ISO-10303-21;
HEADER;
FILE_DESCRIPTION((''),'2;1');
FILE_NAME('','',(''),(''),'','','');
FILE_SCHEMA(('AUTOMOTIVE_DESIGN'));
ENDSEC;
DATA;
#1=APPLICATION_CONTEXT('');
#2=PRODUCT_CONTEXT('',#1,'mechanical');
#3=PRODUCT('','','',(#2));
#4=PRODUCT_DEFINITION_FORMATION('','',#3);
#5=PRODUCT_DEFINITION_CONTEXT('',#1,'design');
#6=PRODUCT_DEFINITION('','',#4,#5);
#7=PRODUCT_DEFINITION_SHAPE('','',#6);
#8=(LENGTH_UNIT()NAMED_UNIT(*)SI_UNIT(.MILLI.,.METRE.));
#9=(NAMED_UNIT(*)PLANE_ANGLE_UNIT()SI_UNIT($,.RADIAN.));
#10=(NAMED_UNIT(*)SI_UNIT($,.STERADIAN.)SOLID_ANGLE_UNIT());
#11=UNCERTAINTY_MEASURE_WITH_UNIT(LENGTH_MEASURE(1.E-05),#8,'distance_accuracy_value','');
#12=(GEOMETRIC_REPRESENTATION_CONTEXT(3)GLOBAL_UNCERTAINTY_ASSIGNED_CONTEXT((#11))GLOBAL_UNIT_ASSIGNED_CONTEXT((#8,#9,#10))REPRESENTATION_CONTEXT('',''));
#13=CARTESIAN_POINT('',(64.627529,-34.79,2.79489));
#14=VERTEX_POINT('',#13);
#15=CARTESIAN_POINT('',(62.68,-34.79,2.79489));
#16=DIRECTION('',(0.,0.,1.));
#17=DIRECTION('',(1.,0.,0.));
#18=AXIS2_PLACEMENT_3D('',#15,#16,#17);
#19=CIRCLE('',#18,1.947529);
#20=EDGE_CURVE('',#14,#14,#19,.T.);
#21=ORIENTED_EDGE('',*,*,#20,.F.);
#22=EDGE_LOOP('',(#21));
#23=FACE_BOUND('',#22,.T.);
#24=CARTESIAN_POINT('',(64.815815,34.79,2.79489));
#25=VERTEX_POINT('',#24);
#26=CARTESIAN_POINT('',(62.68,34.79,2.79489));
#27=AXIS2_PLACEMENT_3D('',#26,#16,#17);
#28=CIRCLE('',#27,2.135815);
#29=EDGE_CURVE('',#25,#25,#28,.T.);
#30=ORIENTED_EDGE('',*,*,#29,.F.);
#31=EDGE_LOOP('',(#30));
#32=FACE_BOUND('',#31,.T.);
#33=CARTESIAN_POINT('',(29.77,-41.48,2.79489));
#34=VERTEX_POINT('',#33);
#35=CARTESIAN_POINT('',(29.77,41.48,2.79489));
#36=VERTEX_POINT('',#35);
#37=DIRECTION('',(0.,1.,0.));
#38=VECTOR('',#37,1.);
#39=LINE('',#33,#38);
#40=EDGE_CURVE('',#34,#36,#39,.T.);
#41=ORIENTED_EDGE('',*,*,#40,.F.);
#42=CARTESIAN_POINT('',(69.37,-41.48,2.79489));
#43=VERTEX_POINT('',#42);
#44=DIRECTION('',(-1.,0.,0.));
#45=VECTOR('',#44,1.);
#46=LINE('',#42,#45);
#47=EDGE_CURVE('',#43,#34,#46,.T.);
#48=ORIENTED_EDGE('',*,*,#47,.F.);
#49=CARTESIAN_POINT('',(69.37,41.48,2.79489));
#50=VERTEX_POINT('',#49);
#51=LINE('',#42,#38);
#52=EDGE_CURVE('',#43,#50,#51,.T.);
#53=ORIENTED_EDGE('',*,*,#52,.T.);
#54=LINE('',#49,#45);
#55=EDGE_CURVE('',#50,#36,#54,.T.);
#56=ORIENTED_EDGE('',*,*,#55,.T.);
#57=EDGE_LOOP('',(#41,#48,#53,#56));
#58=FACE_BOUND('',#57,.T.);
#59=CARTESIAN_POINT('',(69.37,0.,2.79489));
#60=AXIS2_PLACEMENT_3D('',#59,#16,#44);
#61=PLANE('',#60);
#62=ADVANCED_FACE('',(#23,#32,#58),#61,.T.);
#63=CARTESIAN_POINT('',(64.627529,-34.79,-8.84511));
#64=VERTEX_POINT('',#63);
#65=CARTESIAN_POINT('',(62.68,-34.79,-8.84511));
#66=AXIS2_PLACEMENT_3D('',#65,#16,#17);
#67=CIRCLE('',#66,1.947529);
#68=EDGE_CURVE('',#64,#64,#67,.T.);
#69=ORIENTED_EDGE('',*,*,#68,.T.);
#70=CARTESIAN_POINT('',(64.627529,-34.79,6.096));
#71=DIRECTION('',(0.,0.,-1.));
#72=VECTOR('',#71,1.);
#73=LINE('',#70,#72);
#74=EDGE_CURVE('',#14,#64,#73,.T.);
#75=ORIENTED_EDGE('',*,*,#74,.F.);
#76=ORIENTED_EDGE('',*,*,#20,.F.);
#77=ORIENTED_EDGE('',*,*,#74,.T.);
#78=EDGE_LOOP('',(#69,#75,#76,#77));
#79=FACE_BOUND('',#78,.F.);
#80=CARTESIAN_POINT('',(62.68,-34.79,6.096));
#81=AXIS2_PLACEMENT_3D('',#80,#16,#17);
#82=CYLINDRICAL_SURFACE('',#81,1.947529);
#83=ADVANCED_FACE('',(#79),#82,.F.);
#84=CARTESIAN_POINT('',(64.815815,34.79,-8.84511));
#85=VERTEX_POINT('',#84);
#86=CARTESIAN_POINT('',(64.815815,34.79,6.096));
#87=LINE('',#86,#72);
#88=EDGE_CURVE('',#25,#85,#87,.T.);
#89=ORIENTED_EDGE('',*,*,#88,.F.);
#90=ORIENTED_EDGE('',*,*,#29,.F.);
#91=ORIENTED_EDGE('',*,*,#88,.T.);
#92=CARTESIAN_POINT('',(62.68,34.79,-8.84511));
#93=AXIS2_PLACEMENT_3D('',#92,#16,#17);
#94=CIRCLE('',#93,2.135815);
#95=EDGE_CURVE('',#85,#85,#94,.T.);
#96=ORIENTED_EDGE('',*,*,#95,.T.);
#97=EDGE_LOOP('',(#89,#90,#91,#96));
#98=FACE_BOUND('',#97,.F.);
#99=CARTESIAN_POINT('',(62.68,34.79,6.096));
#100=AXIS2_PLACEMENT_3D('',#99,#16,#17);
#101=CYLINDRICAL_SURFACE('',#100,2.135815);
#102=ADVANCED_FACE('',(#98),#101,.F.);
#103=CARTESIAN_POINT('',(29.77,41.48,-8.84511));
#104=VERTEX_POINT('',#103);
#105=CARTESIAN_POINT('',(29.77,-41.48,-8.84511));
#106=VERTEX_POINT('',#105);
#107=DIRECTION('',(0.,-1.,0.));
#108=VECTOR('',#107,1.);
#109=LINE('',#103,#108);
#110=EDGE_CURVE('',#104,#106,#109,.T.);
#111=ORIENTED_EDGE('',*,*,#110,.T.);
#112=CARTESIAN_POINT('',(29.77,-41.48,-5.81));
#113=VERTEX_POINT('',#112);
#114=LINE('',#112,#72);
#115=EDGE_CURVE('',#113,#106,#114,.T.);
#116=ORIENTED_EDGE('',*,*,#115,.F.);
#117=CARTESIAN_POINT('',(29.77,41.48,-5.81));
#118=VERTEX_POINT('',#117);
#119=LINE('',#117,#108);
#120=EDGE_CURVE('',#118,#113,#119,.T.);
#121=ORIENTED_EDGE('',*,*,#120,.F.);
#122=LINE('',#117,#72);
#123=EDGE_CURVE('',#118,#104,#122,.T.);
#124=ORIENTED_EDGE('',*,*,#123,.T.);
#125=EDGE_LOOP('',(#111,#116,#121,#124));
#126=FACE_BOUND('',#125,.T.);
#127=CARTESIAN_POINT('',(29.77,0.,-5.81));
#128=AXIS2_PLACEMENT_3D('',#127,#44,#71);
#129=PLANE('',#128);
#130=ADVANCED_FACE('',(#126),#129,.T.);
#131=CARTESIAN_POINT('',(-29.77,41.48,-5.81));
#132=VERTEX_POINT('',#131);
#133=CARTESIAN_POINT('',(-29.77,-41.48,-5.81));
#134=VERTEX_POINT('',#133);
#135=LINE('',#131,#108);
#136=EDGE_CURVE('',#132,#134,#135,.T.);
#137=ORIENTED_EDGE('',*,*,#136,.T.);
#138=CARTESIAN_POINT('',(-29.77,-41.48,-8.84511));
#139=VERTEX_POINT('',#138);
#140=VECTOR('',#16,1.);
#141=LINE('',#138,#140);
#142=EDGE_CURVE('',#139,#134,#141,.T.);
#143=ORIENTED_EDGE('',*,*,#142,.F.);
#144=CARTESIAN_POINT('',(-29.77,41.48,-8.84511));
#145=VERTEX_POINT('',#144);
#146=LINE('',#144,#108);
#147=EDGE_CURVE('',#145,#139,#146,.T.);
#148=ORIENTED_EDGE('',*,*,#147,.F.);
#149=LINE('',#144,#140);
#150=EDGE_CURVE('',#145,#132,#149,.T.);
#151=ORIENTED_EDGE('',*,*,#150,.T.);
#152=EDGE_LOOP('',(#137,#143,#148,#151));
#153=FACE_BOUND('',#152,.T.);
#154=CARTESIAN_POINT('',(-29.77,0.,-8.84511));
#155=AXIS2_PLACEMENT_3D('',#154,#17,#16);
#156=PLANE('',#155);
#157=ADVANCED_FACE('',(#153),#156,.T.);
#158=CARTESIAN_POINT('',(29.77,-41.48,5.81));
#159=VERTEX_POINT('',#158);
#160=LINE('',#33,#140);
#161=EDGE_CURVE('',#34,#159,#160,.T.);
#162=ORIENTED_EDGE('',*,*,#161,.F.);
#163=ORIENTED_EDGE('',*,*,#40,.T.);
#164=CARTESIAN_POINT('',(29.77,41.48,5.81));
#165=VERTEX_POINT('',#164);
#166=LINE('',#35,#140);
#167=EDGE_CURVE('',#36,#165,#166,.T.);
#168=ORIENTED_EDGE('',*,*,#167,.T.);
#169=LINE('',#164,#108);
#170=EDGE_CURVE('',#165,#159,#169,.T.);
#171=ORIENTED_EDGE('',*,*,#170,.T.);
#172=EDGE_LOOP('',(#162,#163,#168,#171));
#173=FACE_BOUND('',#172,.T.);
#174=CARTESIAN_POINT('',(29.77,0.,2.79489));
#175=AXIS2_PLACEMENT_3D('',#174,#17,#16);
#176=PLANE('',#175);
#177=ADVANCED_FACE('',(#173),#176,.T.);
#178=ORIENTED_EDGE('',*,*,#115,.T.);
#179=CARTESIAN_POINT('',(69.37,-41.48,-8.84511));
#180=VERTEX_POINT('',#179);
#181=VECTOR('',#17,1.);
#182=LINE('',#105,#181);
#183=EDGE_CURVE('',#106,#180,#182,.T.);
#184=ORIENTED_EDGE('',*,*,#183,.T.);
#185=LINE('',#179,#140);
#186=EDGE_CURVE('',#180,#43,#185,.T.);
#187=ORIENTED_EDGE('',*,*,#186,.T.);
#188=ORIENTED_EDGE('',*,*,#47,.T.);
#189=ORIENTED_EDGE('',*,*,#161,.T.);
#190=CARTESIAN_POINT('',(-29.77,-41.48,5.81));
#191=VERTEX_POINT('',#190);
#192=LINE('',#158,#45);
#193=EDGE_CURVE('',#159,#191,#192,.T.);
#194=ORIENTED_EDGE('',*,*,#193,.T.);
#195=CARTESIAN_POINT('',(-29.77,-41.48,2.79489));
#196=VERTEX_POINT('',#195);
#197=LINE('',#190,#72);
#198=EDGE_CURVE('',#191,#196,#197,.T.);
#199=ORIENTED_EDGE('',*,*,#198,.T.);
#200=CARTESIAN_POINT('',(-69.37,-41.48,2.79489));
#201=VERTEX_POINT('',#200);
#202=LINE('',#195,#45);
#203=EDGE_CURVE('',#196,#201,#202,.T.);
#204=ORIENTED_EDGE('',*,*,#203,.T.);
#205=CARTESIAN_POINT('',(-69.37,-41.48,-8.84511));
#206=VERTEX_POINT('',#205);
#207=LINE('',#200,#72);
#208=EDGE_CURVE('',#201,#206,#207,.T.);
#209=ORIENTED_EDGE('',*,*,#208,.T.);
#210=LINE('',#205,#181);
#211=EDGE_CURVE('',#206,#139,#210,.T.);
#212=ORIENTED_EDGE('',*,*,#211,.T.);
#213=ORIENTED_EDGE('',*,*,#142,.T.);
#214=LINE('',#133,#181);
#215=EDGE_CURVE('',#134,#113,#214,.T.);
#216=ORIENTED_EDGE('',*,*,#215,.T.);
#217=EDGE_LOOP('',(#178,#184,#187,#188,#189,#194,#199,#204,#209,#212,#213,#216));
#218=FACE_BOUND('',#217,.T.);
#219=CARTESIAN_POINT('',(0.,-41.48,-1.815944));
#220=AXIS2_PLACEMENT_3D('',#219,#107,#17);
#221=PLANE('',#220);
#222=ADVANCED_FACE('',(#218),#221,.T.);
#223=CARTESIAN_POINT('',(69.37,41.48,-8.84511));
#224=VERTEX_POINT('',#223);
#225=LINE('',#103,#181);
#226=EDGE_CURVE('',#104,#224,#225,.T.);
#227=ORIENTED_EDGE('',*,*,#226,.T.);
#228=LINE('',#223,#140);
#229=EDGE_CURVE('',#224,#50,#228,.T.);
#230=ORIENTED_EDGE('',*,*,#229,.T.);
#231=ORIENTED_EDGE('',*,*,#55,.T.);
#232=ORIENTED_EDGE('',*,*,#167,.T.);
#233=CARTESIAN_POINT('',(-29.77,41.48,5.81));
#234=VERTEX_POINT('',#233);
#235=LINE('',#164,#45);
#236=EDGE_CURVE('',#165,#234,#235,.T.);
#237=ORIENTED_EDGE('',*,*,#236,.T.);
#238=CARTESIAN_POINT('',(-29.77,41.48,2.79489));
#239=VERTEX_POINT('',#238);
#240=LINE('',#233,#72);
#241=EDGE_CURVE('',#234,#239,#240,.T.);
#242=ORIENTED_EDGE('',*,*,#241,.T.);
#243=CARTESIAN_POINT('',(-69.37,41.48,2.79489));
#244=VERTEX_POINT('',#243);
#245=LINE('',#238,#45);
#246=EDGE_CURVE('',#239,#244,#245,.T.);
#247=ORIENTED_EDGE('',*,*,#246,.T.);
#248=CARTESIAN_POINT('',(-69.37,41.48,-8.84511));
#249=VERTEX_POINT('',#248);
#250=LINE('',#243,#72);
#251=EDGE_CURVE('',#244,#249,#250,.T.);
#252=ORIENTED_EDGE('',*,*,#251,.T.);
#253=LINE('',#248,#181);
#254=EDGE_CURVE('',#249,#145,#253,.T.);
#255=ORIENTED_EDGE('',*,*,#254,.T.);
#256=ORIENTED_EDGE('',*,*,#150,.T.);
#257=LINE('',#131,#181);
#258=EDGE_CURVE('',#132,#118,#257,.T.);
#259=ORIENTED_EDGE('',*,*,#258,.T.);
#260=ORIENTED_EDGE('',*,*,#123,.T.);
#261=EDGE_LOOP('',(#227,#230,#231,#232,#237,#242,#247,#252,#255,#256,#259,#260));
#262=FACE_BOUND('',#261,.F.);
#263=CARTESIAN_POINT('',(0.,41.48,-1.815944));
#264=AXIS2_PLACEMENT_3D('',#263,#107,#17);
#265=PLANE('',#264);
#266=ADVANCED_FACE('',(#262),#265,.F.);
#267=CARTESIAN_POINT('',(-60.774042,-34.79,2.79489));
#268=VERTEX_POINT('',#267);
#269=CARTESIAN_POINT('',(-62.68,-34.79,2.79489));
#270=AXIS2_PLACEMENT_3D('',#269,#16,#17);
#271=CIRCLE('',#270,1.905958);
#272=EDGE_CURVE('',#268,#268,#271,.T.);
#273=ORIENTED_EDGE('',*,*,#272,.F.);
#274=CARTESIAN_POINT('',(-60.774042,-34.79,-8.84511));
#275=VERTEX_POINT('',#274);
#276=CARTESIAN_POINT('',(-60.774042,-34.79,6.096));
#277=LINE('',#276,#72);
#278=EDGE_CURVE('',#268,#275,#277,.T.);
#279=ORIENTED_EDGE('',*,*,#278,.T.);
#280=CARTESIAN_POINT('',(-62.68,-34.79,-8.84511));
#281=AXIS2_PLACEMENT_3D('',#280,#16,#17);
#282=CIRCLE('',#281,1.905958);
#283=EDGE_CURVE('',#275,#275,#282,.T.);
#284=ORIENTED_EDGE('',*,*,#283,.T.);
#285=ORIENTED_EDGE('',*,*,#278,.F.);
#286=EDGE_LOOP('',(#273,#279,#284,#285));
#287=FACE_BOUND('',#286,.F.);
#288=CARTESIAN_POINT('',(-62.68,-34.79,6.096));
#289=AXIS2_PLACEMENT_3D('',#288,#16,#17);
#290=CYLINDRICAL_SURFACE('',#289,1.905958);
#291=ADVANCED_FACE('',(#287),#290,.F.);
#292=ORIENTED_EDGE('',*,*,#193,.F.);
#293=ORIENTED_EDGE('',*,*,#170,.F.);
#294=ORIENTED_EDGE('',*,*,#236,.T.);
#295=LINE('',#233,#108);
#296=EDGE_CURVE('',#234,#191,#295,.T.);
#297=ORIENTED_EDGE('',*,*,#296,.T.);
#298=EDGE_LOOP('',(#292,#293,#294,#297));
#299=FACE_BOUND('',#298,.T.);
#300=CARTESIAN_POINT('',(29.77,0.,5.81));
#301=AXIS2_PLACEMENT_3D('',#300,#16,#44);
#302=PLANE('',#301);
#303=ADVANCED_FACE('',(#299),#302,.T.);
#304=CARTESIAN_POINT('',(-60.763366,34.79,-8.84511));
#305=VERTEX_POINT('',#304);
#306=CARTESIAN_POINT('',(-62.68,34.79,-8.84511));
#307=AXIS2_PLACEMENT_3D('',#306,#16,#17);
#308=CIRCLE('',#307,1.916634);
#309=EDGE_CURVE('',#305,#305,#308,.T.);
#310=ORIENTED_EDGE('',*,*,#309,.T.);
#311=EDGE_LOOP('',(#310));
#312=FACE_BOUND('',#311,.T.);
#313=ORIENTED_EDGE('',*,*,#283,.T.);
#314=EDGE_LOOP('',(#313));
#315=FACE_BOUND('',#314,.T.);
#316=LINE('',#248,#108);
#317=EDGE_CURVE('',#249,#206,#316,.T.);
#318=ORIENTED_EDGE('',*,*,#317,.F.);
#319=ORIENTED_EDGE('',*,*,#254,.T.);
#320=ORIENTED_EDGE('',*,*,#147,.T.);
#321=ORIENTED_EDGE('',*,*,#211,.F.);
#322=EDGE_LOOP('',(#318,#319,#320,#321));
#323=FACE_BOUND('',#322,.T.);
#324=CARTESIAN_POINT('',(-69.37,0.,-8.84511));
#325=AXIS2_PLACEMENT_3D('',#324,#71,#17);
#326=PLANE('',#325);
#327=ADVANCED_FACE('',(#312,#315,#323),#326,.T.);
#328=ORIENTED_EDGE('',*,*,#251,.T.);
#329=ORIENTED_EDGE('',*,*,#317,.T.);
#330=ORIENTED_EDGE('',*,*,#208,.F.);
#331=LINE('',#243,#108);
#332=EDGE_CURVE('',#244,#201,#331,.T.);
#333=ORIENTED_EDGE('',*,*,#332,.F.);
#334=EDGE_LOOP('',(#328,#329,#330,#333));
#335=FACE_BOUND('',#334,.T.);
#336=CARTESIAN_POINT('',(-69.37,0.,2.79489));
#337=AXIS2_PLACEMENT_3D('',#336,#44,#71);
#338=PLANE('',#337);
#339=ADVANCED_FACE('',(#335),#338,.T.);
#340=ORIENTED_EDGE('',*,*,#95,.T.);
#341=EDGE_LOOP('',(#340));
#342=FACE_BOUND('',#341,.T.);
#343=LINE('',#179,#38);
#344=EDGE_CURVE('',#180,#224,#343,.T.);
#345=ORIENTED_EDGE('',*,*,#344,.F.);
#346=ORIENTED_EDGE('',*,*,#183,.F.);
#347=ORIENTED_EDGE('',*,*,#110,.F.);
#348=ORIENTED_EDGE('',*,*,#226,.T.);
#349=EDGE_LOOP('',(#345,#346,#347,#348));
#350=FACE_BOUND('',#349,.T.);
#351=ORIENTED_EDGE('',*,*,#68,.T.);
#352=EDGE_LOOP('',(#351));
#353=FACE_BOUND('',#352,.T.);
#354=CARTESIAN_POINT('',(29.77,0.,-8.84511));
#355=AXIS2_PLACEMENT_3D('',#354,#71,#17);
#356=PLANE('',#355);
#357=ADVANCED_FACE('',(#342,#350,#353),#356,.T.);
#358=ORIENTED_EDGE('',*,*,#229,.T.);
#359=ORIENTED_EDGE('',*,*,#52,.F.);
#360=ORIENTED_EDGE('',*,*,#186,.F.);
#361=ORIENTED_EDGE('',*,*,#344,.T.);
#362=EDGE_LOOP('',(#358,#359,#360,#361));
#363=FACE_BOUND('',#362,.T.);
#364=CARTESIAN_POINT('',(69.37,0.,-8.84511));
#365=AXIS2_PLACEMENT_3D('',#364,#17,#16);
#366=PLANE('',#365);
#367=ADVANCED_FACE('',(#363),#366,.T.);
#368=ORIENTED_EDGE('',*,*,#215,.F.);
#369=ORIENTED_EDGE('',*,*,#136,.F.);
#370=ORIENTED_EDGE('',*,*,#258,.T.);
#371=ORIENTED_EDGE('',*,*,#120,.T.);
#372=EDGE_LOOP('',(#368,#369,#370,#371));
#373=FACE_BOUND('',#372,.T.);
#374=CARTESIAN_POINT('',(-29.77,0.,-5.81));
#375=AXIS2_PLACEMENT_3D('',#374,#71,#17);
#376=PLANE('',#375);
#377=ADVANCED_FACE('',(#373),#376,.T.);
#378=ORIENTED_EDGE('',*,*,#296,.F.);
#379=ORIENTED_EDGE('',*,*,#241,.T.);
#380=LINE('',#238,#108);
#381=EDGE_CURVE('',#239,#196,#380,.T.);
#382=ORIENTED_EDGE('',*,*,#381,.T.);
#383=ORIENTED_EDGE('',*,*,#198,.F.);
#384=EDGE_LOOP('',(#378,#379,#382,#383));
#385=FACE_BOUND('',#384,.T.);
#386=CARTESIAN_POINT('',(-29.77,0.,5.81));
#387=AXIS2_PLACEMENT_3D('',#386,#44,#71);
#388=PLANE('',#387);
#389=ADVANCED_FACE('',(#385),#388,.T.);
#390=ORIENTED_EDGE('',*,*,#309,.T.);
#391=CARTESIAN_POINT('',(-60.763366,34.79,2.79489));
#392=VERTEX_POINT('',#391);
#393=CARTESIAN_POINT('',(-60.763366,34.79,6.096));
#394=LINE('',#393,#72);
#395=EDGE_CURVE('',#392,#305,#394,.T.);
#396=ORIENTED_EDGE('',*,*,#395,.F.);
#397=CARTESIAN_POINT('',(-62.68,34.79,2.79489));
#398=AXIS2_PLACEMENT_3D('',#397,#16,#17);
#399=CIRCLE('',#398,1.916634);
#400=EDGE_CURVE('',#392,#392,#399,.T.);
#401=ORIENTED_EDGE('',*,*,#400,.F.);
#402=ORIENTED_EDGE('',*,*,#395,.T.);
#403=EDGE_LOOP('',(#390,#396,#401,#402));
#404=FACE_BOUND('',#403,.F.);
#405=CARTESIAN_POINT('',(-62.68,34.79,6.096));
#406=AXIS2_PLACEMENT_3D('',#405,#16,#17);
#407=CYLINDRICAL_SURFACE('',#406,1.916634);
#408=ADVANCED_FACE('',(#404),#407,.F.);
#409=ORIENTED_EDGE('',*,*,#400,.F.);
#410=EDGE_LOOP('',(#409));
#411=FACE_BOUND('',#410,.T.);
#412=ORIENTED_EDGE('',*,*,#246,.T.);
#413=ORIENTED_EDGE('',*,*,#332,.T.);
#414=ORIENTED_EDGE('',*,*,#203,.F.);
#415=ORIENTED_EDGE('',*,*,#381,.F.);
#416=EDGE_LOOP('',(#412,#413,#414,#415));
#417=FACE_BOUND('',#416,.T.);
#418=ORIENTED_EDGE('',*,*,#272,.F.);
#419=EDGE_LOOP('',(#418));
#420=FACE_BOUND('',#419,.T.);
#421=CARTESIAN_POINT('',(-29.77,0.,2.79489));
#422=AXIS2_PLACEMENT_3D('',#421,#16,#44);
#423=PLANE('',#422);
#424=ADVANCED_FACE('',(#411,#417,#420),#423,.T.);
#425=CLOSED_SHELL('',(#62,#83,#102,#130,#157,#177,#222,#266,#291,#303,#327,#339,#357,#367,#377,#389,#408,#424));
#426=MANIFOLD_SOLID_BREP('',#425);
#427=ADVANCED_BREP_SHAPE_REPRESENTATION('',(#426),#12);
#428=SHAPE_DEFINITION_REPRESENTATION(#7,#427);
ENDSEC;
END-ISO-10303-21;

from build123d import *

# Parameters (mm, degrees)
F1_DEPTH = 41.48
F3_R     = 1.905958
F3_R_2   = 1.916634
F3_R_3   = 2.135815
F3_R_4   = 1.947529
F4_DEPTH = 14.94211


with BuildPart() as f1:
    # F0 (on Front) → F1 (new body, symmetric)
    with BuildSketch(Plane.XZ):
        Polygon((29.77, 2.79489), (29.77, 5.81), (-29.77, 5.81), (-29.77, 2.79489), (-69.37, 2.79489), (-69.37, -8.84511), (-29.77, -8.84511), (-29.77, -5.81), (29.77, -5.81), (29.77, -8.84511), (69.37, -8.84511), (69.37, 2.79489), align=None)
    extrude(amount=F1_DEPTH, both=True)

    # F3 (on offset) → F4 (cut, through all)
    with BuildSketch(Plane.XY.offset(6.096)):
        with Locations((-62.68, -34.79)):
            Circle(F3_R)
        with Locations((-62.68, 34.79)):
            Circle(F3_R_2)
        with Locations((62.68, 34.79)):
            Circle(F3_R_3)
        with Locations((62.68, -34.79)):
            Circle(F3_R_4)
    extrude(amount=-F4_DEPTH, mode=Mode.SUBTRACT)


solid = f1.part
